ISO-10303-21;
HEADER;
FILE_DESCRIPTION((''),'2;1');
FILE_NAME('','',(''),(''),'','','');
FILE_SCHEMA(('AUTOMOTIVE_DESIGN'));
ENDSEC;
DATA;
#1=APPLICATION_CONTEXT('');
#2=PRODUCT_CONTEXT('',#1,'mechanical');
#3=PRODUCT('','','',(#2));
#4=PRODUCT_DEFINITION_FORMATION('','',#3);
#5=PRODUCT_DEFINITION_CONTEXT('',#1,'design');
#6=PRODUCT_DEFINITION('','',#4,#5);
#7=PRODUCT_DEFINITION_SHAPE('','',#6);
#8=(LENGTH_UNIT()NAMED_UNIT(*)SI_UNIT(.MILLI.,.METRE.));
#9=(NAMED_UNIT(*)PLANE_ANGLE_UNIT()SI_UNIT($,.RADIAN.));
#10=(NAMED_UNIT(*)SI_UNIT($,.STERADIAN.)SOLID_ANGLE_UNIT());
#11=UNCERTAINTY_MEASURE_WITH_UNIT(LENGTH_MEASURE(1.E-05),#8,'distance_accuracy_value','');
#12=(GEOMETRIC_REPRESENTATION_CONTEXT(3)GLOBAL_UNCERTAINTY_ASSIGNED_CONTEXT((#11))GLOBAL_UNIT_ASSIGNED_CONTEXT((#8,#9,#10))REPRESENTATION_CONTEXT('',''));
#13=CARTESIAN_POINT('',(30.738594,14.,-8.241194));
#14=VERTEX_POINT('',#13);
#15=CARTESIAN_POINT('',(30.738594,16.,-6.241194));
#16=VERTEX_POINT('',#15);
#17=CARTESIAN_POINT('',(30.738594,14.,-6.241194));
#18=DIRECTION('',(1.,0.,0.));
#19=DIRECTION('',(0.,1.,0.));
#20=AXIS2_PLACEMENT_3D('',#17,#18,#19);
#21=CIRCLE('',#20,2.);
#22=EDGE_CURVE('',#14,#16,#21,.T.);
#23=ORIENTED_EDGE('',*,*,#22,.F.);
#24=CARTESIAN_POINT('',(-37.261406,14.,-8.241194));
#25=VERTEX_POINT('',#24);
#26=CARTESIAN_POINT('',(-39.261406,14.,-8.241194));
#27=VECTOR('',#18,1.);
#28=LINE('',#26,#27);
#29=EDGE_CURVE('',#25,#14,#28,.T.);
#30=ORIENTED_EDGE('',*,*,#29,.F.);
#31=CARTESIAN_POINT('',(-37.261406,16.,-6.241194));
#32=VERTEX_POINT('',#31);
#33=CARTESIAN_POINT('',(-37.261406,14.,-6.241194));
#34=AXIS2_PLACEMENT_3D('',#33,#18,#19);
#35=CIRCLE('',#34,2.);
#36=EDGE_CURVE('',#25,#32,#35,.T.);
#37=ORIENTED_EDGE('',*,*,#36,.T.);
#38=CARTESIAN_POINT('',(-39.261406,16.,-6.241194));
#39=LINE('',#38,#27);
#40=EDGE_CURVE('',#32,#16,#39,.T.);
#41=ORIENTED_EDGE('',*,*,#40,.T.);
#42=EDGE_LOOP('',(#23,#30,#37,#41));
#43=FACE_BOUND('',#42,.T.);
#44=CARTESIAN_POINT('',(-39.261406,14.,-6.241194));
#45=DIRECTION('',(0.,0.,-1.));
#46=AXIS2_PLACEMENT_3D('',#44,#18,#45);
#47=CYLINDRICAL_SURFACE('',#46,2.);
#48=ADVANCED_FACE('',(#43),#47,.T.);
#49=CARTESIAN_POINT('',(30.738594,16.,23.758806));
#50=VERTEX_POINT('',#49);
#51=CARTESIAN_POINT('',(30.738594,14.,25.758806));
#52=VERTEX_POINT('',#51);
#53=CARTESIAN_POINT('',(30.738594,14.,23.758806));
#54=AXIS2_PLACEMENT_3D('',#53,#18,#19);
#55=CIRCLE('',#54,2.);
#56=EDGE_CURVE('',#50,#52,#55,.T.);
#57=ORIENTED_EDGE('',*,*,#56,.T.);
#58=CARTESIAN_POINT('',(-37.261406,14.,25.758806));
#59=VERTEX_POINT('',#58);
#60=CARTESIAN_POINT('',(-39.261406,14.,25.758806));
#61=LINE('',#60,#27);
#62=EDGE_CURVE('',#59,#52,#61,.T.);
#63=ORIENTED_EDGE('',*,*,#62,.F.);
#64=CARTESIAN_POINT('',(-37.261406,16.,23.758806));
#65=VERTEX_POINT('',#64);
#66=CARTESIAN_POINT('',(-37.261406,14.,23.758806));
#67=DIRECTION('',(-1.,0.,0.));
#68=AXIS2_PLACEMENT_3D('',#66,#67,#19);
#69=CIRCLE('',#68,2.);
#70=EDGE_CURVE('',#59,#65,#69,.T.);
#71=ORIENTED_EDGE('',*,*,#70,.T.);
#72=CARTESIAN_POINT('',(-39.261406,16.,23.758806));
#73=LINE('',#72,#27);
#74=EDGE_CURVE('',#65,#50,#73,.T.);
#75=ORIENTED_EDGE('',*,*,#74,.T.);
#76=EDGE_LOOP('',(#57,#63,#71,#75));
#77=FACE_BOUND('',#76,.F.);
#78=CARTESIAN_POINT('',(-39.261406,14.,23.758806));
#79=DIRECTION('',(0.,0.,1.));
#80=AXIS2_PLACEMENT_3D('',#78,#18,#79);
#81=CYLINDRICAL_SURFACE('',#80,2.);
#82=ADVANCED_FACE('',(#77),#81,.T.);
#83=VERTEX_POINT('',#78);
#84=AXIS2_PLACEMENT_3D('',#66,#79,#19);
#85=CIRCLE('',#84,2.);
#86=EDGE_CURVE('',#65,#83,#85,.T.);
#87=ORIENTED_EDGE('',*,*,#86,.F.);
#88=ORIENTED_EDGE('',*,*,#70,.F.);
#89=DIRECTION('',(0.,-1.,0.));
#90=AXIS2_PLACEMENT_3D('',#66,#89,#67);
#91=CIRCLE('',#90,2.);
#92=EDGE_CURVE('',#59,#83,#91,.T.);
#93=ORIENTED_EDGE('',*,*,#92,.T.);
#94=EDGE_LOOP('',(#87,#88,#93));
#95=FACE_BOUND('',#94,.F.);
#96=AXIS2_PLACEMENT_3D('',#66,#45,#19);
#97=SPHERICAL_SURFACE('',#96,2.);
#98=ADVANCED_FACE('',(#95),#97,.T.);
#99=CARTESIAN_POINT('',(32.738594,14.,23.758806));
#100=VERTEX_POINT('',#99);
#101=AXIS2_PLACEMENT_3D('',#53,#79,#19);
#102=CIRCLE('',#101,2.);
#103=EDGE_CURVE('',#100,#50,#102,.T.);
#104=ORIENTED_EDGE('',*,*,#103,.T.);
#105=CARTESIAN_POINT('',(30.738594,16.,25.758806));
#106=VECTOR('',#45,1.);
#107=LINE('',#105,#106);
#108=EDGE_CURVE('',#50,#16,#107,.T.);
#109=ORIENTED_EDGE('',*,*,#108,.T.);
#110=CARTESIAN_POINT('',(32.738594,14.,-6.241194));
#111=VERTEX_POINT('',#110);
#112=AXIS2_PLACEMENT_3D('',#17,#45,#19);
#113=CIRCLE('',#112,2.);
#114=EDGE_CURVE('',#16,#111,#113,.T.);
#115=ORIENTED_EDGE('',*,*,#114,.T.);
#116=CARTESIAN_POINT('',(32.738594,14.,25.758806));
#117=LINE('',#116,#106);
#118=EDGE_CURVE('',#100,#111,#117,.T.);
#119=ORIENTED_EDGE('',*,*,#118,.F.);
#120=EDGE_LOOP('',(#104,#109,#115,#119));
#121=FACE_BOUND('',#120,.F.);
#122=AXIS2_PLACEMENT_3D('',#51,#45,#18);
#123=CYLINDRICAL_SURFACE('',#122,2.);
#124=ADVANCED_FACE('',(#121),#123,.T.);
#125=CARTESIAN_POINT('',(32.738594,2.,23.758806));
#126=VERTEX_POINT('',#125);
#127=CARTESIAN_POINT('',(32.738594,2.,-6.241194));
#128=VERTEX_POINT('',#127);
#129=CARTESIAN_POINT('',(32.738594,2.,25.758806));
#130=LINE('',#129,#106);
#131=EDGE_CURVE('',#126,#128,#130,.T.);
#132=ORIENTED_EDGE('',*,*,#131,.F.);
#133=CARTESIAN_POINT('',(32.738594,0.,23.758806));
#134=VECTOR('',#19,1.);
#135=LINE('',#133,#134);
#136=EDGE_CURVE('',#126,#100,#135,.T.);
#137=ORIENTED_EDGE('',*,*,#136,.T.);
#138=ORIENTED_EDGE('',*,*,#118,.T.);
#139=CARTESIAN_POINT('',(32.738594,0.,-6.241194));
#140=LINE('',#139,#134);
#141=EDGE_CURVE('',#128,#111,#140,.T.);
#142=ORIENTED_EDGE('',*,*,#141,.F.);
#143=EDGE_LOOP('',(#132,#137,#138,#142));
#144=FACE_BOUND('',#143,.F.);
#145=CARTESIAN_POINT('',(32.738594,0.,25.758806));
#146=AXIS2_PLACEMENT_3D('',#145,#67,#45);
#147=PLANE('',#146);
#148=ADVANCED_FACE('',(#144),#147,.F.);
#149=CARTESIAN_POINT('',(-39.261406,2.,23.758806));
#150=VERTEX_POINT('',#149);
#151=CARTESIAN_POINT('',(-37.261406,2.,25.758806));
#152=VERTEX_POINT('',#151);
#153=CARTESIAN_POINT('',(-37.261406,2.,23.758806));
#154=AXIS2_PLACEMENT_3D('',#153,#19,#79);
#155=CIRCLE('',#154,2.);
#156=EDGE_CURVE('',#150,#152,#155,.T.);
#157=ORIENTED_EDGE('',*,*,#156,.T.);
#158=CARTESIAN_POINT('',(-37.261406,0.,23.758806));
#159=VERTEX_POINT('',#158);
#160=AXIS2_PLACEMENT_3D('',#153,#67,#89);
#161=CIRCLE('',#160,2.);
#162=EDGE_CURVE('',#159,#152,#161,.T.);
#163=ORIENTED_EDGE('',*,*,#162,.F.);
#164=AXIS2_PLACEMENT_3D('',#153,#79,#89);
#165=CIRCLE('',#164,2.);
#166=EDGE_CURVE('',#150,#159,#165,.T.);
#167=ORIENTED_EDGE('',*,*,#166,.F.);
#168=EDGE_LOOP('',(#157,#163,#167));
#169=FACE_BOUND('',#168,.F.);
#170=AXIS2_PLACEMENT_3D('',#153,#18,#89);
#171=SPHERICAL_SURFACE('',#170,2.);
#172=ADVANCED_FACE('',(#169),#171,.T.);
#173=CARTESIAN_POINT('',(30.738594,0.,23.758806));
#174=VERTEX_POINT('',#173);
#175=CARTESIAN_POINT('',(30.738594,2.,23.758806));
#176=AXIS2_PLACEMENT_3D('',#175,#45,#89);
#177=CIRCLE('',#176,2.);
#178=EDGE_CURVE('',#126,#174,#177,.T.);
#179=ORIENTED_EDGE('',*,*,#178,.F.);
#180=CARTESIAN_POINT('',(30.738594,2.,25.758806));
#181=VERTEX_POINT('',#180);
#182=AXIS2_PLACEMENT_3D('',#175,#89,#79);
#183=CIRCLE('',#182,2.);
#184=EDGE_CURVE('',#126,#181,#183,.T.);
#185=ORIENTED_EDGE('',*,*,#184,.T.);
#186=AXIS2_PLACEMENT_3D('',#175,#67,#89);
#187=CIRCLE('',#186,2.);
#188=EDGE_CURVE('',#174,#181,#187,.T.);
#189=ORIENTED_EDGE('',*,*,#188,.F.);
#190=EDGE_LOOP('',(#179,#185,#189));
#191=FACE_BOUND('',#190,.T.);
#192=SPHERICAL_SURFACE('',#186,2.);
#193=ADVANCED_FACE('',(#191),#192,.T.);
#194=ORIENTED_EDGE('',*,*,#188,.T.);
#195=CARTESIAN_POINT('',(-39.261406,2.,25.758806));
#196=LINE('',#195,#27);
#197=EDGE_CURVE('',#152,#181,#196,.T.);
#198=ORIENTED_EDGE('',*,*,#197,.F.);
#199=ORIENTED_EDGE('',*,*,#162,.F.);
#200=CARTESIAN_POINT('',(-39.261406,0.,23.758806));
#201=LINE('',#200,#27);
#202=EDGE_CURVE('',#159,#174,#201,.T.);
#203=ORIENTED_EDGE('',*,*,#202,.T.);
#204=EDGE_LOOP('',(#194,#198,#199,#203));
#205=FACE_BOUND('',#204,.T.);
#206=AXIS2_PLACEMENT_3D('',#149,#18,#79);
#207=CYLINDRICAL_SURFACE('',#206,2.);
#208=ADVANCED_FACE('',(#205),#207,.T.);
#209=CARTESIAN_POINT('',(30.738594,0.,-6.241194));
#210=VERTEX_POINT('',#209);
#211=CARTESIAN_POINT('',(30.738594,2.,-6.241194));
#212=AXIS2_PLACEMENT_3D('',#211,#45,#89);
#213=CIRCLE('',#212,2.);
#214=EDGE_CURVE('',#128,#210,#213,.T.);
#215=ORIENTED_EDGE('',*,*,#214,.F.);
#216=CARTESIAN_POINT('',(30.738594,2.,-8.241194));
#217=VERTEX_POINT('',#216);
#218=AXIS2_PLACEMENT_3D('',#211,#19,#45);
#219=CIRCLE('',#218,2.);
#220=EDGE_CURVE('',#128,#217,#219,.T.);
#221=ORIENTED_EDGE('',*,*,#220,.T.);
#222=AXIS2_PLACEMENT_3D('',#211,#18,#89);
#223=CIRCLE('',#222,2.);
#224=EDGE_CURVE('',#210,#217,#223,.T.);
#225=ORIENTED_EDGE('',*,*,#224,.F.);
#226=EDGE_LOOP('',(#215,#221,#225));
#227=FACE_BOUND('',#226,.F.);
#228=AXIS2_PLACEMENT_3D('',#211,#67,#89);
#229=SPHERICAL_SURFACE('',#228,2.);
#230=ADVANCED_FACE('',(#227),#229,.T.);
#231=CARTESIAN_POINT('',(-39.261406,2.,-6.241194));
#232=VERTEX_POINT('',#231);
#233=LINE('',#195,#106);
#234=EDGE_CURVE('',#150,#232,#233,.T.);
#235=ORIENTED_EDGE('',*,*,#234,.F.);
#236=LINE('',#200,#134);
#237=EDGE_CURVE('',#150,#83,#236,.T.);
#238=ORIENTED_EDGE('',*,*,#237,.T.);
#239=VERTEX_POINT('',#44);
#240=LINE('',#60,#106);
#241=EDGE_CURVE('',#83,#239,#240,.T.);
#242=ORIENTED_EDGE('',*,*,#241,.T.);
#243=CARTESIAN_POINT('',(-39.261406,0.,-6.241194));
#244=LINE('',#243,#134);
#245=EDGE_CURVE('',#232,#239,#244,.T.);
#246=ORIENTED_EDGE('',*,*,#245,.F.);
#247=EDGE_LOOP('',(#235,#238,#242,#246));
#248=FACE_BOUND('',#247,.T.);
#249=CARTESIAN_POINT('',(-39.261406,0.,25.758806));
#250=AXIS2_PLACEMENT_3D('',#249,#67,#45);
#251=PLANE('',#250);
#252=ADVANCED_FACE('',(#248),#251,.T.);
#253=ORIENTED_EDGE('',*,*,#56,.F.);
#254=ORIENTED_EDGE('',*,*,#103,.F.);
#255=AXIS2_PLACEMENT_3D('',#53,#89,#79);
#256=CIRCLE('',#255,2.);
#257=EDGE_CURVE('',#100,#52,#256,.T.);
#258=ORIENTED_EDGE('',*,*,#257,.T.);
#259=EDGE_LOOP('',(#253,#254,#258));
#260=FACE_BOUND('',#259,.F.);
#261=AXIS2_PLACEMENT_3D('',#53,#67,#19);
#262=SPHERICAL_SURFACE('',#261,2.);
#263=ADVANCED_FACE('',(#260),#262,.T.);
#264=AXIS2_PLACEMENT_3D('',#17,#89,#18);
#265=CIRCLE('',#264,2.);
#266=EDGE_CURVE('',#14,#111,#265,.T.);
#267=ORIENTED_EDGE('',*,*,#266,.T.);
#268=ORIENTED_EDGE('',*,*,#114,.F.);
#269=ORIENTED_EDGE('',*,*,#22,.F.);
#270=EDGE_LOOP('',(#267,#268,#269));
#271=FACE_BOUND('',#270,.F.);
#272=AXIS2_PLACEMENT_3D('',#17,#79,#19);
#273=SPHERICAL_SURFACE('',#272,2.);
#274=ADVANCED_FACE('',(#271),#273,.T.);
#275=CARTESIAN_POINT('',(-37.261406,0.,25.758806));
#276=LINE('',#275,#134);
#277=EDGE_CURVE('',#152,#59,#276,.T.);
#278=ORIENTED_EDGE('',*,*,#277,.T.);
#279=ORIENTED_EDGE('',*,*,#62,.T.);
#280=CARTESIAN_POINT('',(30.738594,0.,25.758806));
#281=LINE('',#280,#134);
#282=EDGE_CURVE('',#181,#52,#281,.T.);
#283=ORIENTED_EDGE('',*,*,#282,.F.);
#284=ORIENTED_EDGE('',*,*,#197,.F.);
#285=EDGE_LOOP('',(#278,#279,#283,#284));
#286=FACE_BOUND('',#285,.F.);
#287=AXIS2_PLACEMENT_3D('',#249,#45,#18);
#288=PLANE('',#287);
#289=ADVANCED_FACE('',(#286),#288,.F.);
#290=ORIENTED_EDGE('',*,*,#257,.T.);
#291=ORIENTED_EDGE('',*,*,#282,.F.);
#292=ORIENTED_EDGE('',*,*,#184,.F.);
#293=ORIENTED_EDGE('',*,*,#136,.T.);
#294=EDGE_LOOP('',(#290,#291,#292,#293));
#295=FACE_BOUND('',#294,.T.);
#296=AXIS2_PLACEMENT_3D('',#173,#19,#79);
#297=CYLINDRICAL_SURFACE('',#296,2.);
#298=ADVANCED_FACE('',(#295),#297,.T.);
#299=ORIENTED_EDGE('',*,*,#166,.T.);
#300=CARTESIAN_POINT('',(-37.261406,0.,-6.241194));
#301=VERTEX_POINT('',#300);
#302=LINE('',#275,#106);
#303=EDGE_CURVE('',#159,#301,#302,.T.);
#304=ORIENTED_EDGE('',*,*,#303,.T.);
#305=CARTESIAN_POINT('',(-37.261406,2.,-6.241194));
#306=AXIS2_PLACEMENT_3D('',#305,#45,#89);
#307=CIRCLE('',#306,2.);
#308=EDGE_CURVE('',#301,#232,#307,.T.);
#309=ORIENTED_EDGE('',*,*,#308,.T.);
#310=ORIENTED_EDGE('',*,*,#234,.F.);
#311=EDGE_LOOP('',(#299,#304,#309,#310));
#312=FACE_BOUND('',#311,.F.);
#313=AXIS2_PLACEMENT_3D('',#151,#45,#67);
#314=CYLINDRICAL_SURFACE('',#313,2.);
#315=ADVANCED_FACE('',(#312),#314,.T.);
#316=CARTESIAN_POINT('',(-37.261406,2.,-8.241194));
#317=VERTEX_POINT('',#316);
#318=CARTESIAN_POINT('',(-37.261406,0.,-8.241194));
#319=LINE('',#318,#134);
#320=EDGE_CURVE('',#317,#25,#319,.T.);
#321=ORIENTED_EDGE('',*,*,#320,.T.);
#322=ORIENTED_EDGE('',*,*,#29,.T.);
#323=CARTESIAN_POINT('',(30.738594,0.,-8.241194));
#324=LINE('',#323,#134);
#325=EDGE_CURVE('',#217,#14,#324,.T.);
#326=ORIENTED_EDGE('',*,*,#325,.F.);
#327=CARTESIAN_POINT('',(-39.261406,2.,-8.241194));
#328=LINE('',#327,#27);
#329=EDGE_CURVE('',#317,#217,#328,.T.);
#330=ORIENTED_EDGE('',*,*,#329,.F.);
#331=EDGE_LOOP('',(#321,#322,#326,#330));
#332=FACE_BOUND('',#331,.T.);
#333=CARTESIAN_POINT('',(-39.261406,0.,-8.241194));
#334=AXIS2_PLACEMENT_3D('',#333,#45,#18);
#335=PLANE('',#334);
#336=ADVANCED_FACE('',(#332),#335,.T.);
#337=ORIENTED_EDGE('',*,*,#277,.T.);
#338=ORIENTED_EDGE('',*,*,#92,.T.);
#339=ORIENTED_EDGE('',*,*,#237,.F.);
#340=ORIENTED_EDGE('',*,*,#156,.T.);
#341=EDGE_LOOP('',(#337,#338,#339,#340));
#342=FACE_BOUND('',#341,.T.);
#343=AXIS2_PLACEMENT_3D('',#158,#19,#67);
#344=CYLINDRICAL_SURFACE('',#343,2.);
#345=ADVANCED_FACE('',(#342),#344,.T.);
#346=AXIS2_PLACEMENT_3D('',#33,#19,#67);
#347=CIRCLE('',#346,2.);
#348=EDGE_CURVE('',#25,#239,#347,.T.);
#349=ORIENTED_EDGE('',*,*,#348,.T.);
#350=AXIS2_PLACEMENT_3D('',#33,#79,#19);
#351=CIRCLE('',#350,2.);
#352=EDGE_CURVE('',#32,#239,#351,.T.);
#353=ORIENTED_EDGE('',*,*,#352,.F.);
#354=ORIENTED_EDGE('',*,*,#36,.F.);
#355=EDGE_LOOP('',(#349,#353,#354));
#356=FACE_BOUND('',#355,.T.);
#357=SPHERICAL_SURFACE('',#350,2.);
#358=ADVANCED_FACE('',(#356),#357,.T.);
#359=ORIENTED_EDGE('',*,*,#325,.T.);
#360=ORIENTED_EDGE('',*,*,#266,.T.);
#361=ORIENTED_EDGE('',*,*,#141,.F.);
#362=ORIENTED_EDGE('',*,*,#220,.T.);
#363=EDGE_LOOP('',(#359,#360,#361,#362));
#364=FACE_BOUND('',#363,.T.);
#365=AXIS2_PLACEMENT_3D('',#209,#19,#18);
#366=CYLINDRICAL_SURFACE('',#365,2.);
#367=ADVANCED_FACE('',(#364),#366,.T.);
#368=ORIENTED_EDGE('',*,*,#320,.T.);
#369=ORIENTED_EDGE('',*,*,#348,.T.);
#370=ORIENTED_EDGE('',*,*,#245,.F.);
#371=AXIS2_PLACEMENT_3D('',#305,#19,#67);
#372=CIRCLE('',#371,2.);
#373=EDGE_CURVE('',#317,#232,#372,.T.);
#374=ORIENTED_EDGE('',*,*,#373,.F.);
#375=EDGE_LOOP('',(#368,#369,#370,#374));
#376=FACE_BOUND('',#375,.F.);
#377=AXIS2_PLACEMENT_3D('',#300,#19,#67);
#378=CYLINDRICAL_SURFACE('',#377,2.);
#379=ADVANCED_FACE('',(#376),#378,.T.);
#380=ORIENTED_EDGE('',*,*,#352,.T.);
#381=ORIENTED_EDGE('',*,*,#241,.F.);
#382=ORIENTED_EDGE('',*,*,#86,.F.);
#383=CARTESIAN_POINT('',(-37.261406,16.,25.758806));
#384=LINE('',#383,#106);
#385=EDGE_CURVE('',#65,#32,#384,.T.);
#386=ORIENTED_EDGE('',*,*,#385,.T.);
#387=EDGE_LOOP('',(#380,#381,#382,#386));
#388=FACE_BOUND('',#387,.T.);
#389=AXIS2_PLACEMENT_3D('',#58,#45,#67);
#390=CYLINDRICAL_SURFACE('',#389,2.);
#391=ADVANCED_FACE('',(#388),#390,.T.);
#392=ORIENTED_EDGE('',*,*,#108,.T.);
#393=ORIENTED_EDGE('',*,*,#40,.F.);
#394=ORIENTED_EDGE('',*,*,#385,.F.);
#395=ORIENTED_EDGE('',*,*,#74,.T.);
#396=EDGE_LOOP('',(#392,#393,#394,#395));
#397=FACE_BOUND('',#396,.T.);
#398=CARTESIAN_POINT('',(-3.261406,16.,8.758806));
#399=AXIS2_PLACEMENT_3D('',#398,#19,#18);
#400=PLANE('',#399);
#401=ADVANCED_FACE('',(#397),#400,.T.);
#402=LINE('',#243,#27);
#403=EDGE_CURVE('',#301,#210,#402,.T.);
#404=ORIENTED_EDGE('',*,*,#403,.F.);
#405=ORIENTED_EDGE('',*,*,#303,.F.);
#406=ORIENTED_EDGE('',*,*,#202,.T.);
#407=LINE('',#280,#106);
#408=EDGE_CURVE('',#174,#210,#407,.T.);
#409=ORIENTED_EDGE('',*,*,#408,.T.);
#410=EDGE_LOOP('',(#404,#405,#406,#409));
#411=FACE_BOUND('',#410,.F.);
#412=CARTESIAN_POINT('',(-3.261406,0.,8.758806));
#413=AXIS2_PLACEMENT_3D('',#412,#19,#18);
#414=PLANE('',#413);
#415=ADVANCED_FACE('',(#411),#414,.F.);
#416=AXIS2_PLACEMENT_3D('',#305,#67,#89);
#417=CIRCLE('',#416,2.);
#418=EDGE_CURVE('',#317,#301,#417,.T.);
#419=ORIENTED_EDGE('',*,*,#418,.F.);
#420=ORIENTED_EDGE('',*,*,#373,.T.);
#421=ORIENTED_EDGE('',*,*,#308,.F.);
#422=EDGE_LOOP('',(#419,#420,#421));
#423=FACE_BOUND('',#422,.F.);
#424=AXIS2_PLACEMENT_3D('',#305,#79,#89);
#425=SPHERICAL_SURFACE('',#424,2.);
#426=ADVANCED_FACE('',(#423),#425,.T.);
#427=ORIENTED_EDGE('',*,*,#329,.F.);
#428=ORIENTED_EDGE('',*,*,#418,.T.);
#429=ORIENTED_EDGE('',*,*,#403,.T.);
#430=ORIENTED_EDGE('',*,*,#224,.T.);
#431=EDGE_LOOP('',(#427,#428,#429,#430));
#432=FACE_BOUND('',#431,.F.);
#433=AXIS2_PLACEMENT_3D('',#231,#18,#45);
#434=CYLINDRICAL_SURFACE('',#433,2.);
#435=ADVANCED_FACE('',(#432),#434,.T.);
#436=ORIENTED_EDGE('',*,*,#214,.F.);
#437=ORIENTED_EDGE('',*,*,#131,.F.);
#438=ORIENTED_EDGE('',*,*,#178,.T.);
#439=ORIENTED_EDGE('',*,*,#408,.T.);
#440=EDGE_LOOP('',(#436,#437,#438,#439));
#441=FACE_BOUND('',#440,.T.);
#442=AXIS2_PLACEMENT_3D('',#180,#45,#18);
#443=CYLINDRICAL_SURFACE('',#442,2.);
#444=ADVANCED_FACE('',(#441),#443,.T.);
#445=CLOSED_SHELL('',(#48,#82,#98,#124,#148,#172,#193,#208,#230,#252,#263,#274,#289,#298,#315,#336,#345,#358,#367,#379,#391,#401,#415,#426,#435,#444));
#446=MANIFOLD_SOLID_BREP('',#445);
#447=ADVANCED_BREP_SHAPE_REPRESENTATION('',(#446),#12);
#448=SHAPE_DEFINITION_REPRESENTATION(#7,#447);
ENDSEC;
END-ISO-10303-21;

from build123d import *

# Parameters (mm, degrees)
SKETCH1_W           = 72
SKETCH1_H           = 34
BOSS_EXTRUDE1_DEPTH = 16
FILLET1_R           = 2


with BuildPart() as part:
    # Sketch1 → Boss-Extrude1 (new body)
    with BuildSketch(Plane(origin=(0, 0, 0), x_dir=(1, 0, 0), z_dir=(0, 1, 0))):
        with Locations((-3.261405989, -8.758806046)):
            Rectangle(SKETCH1_W, SKETCH1_H)
    extrude(amount=BOSS_EXTRUDE1_DEPTH)

    # Fillet1
    fillet1_edges = [part.edges().sort_by_distance(p)[0] for p in [
        (-39.261405989, 16, 8.758806046),
        (-3.261405989, 16, 25.758806046),
        (32.738594011, 16, 8.758806046),
        (-3.261405989, 0, 25.758806046),
        (-39.261405989, 0, 8.758806046),
        (-3.261405989, 0, -8.241193954),
        (32.738594011, 0, 8.758806046),
        (-3.261405989, 16, -8.241193954),
        (32.738594011, 8, 25.758806046),
        (-39.261405989, 8, 25.758806046),
        (-39.261405989, 8, -8.241193954),
        (32.738594011, 8, -8.241193954),
    ]]
    fillet(fillet1_edges, radius=FILLET1_R)


solid = part.part
